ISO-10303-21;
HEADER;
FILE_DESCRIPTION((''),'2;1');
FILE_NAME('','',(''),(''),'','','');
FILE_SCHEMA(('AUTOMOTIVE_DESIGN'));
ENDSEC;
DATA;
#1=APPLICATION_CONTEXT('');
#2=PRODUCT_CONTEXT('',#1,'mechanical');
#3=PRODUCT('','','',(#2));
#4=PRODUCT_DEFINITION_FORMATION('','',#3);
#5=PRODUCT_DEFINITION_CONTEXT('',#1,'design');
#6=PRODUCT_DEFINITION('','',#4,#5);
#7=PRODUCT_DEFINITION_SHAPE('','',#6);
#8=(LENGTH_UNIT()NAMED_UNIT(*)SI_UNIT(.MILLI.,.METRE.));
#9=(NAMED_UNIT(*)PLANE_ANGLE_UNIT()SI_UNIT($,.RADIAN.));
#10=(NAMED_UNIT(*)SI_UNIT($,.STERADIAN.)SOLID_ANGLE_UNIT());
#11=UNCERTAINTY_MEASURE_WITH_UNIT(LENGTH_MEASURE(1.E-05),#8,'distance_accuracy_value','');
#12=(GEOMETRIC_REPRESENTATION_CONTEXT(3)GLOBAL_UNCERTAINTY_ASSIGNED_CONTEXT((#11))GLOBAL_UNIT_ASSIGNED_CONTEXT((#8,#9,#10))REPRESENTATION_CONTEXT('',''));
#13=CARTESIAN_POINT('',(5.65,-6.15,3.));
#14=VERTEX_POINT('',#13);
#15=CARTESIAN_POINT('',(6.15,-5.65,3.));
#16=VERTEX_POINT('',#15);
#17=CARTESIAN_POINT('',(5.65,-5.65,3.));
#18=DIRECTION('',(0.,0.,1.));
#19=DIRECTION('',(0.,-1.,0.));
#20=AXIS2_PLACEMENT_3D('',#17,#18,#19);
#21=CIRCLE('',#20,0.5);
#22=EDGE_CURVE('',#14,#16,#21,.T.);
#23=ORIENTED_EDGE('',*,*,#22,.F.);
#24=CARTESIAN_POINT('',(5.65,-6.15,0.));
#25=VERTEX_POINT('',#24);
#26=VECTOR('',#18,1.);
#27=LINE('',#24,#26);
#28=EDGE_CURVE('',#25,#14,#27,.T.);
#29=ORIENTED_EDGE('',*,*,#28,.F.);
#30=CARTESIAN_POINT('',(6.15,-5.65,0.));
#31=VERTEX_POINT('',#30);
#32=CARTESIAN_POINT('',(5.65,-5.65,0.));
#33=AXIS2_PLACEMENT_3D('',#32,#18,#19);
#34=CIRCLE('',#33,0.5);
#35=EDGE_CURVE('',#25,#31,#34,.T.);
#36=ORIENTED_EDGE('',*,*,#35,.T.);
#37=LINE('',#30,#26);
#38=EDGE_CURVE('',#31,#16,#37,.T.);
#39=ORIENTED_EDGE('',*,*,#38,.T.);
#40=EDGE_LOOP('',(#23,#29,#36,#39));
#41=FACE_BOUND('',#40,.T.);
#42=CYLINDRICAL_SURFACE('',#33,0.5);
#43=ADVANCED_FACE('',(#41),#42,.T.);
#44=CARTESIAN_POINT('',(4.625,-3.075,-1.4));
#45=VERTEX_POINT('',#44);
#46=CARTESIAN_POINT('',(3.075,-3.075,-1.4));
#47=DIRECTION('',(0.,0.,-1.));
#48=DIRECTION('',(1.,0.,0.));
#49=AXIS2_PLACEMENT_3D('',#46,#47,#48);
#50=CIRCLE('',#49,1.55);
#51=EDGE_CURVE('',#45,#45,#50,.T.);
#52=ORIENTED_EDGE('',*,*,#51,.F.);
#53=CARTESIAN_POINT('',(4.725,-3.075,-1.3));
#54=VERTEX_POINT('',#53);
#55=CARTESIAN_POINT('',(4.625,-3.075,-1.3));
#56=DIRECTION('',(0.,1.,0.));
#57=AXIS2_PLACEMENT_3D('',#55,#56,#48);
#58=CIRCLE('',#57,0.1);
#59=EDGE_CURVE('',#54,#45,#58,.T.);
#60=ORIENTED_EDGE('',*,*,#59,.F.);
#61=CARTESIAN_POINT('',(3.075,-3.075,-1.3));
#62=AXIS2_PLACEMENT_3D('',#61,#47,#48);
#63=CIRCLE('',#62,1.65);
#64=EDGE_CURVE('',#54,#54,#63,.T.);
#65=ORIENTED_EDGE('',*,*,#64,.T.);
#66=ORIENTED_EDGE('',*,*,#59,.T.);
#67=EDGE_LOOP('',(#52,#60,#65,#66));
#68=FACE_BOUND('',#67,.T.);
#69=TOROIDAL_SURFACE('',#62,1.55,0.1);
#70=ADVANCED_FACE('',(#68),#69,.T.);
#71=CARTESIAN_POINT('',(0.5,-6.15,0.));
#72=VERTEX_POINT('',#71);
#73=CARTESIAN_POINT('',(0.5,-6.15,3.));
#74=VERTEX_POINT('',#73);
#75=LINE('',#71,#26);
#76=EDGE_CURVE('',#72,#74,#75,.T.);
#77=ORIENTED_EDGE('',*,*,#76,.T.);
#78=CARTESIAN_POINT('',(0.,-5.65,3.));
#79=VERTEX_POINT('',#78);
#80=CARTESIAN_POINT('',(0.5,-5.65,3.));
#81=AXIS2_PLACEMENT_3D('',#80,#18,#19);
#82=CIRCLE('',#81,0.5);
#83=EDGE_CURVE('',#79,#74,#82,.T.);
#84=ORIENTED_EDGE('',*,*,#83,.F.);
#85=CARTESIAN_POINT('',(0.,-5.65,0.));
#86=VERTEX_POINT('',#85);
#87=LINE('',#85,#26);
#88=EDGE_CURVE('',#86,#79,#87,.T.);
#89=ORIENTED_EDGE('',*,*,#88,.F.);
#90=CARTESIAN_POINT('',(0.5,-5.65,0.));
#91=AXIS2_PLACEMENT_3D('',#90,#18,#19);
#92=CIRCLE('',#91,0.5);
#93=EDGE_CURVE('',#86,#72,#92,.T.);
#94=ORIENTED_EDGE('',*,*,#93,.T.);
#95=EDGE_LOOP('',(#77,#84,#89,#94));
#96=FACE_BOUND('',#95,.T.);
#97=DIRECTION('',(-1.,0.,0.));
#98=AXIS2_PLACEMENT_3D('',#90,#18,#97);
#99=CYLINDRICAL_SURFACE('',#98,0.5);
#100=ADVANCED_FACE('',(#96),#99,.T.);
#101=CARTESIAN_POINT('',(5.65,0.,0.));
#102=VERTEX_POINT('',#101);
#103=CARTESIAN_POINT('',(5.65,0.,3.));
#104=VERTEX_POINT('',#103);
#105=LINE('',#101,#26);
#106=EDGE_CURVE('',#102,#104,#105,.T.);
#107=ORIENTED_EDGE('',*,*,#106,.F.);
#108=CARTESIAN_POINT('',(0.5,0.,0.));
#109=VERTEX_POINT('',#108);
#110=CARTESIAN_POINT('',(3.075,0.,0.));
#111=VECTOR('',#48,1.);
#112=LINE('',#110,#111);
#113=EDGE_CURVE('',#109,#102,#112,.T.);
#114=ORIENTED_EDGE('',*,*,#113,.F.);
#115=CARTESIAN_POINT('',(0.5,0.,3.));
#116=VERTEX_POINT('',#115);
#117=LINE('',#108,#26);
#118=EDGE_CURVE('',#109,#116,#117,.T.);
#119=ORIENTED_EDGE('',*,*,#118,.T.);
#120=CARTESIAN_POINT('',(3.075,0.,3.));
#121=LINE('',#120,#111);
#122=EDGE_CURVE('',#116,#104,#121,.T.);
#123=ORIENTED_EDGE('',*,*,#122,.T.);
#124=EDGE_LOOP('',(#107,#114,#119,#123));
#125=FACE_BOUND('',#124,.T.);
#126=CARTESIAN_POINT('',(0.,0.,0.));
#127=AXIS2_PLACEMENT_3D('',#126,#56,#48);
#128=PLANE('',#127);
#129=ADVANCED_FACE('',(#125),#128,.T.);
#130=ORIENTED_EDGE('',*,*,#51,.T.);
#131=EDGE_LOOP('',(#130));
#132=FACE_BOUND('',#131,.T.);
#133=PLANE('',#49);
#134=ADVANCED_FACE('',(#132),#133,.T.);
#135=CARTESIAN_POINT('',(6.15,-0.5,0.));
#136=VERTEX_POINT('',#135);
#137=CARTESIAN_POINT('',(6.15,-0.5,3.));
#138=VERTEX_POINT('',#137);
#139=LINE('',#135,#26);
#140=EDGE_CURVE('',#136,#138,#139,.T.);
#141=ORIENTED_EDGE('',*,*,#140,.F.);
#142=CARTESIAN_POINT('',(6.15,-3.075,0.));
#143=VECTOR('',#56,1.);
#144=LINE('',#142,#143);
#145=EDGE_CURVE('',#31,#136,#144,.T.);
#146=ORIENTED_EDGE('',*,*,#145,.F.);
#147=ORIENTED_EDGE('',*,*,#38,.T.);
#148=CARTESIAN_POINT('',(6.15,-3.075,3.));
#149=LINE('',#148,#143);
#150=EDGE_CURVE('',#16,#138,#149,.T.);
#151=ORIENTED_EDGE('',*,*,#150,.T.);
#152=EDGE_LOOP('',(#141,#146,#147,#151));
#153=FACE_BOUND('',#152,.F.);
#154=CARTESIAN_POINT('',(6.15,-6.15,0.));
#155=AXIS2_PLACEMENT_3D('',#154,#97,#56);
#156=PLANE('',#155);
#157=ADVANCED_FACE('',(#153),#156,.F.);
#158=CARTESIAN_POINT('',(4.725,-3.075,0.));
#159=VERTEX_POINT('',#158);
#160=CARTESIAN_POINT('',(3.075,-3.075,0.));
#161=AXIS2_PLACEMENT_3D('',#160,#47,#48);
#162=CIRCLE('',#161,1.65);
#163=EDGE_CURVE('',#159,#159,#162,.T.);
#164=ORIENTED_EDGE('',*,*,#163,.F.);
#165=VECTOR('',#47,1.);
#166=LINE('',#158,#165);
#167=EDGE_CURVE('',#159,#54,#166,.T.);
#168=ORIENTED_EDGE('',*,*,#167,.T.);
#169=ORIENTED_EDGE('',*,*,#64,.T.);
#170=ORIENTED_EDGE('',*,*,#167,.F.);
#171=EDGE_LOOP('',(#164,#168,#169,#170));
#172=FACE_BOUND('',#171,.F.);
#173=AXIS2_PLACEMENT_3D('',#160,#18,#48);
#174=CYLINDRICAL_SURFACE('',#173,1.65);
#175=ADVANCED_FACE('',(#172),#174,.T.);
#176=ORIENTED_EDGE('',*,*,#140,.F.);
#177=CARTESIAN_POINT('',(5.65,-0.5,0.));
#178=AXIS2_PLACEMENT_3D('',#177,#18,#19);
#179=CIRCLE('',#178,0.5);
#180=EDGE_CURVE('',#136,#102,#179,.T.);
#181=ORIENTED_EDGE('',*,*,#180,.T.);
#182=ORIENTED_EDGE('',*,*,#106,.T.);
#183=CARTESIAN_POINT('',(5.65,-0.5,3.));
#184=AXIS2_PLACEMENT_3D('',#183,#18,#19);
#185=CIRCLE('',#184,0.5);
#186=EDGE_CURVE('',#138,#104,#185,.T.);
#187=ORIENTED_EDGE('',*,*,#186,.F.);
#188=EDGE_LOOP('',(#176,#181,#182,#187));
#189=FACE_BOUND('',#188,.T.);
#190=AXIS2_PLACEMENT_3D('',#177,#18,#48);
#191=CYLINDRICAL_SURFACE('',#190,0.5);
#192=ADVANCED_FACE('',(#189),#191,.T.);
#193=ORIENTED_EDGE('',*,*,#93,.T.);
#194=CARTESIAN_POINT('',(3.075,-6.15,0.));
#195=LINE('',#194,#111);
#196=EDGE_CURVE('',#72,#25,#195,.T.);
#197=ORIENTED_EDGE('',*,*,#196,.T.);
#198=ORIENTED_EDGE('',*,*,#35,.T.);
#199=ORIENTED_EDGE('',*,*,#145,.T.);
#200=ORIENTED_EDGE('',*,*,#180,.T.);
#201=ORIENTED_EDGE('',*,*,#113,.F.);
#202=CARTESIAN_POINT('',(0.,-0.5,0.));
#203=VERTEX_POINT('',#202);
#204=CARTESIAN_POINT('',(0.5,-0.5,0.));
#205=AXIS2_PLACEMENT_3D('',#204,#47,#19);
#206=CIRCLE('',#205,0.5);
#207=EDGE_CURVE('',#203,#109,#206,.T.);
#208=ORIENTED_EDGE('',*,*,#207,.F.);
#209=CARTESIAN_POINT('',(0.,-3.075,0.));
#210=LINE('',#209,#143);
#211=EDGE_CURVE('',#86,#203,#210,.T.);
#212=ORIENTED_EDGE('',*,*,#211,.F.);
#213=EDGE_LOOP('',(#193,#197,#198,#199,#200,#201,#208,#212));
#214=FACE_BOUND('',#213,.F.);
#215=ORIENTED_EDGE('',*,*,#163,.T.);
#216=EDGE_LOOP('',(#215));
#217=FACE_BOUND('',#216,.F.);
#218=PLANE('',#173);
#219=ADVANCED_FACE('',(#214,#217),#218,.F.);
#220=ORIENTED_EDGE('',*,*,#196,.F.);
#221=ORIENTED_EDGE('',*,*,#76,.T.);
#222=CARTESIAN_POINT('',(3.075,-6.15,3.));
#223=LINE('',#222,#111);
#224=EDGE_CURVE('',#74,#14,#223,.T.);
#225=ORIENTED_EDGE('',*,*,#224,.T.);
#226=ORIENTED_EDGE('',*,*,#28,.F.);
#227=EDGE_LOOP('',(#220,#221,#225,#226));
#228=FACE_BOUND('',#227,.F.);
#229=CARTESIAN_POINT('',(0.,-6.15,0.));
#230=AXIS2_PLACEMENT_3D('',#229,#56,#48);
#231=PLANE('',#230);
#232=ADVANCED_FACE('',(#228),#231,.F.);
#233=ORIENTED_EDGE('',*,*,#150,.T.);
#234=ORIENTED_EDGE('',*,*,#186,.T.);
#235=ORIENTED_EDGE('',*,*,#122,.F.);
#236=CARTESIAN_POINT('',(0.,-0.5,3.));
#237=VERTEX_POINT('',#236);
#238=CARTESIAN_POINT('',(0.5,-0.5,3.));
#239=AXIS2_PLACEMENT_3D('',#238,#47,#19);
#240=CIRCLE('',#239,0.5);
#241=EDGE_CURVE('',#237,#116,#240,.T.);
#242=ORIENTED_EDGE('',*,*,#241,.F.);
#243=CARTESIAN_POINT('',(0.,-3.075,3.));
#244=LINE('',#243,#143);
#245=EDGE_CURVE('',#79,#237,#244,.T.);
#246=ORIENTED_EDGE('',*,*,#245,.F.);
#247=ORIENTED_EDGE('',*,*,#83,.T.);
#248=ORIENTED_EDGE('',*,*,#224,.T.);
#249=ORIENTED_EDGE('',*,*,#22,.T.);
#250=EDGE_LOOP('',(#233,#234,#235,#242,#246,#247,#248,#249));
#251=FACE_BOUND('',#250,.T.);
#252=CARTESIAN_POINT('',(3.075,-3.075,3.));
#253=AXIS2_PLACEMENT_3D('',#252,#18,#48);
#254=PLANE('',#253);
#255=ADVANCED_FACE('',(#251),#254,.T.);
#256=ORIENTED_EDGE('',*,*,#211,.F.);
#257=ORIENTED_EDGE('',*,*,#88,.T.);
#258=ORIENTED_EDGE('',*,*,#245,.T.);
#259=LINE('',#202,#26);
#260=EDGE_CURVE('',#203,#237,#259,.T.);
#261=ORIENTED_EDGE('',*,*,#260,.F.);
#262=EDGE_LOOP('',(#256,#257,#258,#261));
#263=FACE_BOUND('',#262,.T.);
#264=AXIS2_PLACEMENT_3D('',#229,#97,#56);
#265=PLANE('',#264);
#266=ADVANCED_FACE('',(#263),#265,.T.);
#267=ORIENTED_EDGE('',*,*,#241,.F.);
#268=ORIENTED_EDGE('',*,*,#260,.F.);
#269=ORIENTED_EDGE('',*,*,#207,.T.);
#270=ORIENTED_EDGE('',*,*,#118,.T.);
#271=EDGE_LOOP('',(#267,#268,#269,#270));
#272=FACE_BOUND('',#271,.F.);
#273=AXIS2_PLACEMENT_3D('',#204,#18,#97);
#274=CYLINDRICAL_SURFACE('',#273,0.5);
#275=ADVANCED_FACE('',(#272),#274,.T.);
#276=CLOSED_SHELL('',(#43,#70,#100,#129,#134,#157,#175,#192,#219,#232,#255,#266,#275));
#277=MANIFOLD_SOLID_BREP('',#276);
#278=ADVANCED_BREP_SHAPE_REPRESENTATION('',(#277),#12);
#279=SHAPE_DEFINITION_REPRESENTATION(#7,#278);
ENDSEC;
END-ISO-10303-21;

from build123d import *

# Parameters (mm, degrees)
F0_W     = 6.15
F0_H     = 6.15
F1_DEPTH = 3
F2_R     = 0.5
F3_R     = 1.65
F4_DEPTH = 1.4
F5_R     = 0.1


with BuildPart() as f1:
    # F0 (on Top) → F1 (new body)
    with BuildSketch(Plane.XY):
        with Locations((3.075, -3.075)):
            Rectangle(F0_W, F0_H)
    extrude(amount=F1_DEPTH)

    # F2
    f2_edges = [f1.edges().sort_by_distance(p)[0] for p in [
        (0, 0, 1.5),
        (6.15, 0, 1.5),
        (0, -6.15, 1.5),
        (6.15, -6.15, 1.5),
    ]]
    fillet(f2_edges, radius=F2_R)

    # F3 (on face) → F4 (join)
    with BuildSketch(Plane(origin=(0, 0, 0), x_dir=(1, 0, 0), z_dir=(0, 0, -1))):
        with Locations((3.075, 3.075)):
            Circle(F3_R)
    extrude(amount=F4_DEPTH)

    # F5
    f5_edges = [f1.edges().sort_by_distance(p)[0] for p in [
        (1.425, -3.075, -1.4),
    ]]
    fillet(f5_edges, radius=F5_R)


solid = f1.part
